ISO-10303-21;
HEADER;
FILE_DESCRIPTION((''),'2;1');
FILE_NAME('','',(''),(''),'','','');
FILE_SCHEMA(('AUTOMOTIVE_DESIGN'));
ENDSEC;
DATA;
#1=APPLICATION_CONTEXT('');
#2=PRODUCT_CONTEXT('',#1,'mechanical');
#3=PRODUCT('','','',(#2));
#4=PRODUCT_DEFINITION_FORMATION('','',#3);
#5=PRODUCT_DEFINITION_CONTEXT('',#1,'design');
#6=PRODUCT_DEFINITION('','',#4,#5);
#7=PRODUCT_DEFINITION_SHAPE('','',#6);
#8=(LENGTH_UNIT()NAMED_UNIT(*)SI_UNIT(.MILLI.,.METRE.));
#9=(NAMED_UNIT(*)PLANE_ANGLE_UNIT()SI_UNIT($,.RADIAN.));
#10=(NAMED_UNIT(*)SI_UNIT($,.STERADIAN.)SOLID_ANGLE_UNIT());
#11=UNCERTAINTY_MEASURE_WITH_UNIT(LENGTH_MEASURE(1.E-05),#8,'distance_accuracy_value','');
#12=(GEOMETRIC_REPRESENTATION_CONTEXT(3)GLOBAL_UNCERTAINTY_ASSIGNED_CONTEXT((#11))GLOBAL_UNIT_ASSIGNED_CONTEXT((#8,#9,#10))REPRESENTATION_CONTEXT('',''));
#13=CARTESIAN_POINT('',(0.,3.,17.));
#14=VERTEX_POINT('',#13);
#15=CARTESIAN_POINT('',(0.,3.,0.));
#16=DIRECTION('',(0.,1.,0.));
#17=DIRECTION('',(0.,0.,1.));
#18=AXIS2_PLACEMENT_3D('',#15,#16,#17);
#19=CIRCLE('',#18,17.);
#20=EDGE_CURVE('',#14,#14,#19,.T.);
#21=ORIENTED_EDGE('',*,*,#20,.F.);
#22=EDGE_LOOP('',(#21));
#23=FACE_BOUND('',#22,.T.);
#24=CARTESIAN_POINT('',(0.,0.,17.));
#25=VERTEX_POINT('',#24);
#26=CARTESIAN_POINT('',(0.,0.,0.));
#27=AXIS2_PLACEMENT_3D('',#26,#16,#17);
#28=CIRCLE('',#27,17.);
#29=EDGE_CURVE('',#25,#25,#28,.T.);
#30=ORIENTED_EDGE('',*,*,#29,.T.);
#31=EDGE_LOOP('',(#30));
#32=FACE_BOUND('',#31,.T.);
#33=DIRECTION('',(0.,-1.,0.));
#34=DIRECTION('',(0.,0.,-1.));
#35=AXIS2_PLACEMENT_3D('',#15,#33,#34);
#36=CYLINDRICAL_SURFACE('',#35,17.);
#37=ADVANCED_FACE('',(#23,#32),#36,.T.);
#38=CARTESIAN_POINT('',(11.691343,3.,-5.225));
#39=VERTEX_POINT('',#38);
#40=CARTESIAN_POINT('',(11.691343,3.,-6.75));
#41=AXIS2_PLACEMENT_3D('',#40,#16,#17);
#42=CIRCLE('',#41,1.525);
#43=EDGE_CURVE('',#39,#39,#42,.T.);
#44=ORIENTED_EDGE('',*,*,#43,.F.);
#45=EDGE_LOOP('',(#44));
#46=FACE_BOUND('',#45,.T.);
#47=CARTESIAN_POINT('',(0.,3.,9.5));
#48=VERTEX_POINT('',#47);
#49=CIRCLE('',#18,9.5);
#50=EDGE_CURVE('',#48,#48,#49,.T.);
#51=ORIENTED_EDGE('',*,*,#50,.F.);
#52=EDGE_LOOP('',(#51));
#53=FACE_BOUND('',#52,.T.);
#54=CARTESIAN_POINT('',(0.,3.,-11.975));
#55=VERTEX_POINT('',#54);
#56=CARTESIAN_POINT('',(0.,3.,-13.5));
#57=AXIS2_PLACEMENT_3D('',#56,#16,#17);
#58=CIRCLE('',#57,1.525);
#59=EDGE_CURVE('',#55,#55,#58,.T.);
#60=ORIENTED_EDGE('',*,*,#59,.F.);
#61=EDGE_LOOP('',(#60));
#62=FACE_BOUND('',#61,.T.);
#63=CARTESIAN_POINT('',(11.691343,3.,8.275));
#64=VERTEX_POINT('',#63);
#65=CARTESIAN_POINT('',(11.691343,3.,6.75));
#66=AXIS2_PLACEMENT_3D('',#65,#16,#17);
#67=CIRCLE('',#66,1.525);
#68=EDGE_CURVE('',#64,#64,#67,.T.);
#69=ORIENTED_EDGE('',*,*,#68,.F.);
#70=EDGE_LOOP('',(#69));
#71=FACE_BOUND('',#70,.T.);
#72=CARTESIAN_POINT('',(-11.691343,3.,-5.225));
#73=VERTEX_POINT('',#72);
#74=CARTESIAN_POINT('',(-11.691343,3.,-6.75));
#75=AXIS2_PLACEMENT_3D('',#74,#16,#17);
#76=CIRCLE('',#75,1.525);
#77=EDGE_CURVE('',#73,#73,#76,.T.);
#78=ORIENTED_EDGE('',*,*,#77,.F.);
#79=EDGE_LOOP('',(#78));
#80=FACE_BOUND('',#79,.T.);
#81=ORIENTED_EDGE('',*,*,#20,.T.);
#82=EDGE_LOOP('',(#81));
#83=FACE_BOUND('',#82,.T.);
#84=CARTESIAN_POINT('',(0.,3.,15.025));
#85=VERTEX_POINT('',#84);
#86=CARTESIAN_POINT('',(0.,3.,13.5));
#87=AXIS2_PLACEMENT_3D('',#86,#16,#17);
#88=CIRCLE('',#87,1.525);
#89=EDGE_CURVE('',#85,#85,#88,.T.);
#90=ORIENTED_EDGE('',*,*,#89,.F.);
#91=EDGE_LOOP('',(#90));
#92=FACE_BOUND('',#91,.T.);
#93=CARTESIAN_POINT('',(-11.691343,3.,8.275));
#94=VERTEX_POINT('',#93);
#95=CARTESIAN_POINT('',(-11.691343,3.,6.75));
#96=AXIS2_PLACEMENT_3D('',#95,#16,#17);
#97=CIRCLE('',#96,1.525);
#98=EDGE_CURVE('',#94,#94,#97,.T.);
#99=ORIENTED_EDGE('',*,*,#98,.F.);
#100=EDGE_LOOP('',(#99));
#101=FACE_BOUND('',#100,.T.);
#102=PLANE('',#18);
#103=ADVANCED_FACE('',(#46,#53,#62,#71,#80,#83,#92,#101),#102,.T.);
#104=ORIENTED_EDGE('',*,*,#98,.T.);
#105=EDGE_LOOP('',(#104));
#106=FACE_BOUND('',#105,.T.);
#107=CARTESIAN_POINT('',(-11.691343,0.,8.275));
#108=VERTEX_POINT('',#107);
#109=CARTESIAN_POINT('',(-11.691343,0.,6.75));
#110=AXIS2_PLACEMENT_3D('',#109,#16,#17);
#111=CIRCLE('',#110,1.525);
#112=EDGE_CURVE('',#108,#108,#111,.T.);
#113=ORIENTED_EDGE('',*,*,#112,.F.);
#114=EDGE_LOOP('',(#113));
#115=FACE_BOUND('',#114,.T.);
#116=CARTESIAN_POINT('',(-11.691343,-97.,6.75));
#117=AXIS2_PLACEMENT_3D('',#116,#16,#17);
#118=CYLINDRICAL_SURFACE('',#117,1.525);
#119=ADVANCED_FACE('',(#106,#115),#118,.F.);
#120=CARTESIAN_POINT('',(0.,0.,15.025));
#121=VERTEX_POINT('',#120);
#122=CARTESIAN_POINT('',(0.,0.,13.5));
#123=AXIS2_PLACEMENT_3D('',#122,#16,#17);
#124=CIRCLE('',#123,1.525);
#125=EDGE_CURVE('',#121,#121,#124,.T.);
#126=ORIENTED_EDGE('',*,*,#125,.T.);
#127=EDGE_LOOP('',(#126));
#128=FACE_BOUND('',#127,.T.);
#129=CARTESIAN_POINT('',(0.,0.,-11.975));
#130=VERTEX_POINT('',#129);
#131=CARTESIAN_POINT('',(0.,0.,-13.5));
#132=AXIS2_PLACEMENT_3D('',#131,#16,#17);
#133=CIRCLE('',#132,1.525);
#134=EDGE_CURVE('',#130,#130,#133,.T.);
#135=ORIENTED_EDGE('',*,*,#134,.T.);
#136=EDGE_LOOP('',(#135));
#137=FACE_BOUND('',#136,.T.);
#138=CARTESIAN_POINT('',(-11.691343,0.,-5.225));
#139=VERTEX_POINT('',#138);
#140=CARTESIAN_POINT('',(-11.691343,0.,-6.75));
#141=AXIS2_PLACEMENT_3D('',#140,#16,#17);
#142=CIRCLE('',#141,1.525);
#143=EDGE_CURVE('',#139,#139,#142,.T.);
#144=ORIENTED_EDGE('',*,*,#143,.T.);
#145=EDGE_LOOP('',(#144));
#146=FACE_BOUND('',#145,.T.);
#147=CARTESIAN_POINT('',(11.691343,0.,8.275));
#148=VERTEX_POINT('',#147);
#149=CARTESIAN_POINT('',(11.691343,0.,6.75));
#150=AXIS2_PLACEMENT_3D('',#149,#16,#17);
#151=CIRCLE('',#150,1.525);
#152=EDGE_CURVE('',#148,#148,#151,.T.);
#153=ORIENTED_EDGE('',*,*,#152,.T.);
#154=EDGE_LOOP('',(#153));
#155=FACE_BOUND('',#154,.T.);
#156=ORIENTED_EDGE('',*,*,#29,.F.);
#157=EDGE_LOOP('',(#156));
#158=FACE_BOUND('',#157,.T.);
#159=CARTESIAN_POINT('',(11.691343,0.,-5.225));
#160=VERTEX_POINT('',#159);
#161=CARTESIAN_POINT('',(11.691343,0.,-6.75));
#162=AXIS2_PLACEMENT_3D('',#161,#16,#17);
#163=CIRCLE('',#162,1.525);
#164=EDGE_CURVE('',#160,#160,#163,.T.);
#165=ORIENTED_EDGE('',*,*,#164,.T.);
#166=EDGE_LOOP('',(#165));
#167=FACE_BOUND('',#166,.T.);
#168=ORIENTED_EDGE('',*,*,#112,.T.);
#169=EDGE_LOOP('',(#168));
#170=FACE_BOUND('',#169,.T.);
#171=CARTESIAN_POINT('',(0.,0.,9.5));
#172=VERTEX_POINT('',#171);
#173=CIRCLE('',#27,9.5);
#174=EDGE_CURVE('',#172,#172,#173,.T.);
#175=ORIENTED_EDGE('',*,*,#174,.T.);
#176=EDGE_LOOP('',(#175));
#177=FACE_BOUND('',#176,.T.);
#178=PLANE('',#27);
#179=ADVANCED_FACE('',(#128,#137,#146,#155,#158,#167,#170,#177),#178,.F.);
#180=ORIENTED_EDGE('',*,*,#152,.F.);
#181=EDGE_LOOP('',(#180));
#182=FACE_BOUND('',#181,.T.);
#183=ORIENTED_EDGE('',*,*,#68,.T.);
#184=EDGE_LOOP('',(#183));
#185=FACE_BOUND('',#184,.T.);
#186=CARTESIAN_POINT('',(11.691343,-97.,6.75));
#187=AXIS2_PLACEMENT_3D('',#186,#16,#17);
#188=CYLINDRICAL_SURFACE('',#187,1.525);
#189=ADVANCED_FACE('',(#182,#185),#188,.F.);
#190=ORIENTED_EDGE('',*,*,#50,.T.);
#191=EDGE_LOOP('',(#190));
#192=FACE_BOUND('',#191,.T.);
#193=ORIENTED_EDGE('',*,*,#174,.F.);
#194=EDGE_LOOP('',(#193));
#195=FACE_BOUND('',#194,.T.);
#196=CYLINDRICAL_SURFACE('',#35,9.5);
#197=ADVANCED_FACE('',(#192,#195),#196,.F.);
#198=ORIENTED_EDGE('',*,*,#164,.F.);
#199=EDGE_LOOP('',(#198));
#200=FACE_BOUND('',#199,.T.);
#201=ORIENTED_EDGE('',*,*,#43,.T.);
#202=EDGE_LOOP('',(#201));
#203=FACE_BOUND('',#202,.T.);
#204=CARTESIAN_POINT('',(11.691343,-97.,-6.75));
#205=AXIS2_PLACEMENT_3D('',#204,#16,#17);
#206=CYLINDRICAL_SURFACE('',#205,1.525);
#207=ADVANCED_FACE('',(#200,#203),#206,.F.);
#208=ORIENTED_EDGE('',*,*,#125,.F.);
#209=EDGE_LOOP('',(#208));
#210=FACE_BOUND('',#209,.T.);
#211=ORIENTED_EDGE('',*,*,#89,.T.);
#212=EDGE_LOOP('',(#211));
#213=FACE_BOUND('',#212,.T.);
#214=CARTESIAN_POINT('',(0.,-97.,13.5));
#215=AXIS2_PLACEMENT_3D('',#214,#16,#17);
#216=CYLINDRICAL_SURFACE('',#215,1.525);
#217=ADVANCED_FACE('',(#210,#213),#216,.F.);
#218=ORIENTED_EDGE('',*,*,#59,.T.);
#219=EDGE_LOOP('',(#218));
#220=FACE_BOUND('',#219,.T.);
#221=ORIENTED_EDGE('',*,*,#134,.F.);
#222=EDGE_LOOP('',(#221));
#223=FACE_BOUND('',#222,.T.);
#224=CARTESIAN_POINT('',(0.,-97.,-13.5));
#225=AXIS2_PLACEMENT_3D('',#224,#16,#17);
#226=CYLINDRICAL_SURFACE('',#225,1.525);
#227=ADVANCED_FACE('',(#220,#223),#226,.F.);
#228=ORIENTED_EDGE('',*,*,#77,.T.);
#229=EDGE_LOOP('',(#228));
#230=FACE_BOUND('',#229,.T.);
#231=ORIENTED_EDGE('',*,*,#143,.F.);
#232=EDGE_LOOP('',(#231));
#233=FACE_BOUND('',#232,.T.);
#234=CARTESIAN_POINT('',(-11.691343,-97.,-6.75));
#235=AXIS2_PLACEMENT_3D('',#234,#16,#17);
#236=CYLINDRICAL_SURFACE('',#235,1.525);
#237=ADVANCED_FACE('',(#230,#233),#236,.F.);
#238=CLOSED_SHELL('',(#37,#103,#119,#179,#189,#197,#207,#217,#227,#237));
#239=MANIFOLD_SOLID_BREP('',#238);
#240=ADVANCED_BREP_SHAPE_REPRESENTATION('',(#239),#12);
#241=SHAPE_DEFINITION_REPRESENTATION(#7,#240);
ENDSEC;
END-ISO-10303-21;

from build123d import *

# Parameters (mm, degrees)
SKETCH_1_R          = 17
SKETCH_1_R_2        = 9.5
EXTRUDE_1_DEPTH     = 3
SKETCH_2_R          = 1.525
CUT_EXTRUDE_1_DEPTH = 100


with BuildPart() as part:
    # 草图1 → 凸台-拉伸1 (new body)
    with BuildSketch(Plane(origin=(0, 0, 0), x_dir=(1, 0, 0), z_dir=(0, 1, 0))):
        Circle(SKETCH_1_R)
        Circle(SKETCH_1_R_2, mode=Mode.SUBTRACT)
    extrude(amount=EXTRUDE_1_DEPTH)

    # 草图2 → 切除-拉伸1 (cut)
    with BuildSketch(Plane(origin=(0, 3, 0), x_dir=(1, 0, 0), z_dir=(0, 1, 0))):
        with Locations((0, 13.5)):
            Circle(SKETCH_2_R)
        with Locations((11.691342951, 6.75)):
            Circle(SKETCH_2_R)
        with Locations((11.691342951, -6.75)):
            Circle(SKETCH_2_R)
        with Locations((0, -13.5)):
            Circle(SKETCH_2_R)
        with Locations((-11.691342951, -6.75)):
            Circle(SKETCH_2_R)
        with Locations((-11.691342951, 6.75)):
            Circle(SKETCH_2_R)
    extrude(amount=-CUT_EXTRUDE_1_DEPTH, mode=Mode.SUBTRACT)


solid = part.part
